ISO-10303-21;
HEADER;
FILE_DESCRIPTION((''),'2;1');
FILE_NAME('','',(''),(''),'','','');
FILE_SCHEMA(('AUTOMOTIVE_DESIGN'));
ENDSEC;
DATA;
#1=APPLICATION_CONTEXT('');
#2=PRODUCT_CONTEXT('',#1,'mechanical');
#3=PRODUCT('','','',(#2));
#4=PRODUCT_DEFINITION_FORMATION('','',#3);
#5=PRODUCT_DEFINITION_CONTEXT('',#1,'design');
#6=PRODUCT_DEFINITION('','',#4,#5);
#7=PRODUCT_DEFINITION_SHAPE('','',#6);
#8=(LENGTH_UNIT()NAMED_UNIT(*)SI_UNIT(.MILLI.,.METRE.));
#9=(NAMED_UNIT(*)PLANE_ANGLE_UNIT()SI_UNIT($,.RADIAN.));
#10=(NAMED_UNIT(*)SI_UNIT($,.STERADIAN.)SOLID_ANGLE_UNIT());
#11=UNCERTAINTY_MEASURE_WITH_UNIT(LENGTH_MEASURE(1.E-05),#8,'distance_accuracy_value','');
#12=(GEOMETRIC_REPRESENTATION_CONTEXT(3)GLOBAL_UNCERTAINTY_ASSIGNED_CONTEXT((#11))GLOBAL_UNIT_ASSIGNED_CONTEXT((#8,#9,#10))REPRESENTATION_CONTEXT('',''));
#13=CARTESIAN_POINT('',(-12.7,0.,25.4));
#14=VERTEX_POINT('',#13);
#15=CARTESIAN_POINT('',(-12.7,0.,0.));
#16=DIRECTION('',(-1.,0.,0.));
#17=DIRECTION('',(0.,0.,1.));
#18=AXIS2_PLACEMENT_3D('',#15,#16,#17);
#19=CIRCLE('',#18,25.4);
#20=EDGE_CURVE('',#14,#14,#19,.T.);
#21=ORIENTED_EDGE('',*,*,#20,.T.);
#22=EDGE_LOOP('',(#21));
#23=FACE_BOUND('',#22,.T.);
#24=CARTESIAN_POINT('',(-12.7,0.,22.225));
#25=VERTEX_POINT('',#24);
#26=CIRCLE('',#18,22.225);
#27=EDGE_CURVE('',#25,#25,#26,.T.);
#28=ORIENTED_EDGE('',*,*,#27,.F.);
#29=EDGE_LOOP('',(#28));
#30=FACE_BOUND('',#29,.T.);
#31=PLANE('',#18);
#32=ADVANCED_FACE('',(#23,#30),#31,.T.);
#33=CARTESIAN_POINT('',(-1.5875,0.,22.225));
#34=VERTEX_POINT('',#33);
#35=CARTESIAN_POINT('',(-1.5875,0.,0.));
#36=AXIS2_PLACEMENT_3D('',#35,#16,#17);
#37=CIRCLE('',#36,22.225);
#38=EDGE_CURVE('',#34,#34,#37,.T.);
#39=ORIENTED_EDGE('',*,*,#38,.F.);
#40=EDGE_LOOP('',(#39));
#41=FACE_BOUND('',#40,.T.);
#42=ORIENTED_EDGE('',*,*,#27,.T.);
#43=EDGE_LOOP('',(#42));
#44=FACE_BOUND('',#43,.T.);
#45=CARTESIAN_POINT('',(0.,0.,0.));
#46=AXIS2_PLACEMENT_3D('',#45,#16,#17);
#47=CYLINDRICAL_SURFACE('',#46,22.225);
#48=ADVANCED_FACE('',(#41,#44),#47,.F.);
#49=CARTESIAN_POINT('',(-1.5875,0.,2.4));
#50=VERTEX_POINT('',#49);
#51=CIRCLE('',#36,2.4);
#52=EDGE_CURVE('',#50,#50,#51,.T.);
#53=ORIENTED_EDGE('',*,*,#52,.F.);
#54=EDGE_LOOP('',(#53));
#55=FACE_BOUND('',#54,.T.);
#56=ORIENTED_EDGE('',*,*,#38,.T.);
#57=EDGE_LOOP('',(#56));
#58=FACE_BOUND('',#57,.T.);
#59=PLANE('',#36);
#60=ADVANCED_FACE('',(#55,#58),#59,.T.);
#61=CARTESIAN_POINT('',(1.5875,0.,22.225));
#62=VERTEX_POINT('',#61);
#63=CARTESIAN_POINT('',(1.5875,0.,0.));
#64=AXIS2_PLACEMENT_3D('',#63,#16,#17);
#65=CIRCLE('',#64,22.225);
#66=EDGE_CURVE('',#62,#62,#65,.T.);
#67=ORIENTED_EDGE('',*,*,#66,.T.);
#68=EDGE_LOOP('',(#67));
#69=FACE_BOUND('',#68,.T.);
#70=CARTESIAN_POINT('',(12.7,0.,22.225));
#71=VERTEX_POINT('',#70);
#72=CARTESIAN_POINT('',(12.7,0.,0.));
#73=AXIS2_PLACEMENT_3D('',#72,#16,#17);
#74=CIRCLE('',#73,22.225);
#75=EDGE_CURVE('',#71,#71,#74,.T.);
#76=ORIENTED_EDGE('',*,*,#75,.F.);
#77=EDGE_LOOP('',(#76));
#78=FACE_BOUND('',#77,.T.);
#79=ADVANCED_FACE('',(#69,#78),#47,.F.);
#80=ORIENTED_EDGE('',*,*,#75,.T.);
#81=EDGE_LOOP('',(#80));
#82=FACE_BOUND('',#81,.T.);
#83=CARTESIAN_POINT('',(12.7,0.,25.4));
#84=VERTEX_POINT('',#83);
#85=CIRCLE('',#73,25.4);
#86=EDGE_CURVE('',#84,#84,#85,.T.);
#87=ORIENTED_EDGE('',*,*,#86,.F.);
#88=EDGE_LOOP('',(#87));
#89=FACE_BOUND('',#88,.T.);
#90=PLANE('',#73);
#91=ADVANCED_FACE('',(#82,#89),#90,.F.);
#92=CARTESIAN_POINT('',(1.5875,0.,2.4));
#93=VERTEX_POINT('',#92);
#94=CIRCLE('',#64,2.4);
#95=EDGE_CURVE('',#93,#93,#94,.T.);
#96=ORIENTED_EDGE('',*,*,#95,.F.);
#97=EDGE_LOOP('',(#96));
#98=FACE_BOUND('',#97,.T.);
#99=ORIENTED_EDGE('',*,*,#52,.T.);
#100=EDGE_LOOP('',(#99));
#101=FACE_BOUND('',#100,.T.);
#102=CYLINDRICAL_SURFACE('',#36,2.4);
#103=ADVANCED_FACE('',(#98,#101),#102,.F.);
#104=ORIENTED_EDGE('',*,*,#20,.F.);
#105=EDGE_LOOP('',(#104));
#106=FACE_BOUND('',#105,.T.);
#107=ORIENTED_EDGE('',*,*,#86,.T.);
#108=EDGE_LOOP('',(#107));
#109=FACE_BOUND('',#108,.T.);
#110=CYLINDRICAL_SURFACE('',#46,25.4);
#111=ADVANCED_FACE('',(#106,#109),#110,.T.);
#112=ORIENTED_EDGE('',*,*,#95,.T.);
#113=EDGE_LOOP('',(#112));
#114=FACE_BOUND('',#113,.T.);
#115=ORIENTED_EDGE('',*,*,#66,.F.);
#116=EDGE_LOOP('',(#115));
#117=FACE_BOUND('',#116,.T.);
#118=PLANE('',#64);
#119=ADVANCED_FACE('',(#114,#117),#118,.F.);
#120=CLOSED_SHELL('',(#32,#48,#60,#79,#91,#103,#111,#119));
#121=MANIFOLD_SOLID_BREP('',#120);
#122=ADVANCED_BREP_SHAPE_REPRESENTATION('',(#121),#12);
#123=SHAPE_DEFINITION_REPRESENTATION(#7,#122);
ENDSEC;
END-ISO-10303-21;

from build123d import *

# Parameters (mm, degrees)
SKETCH1_W            = 1.5875
SKETCH1_H            = 22.225
M4_CLEARANCE_HOLE1_D = 4.8


with BuildPart() as part:
    # Sketch1 → Revolve1 (revolve)
    with BuildSketch(Plane.XY):
        Polygon((0, 25.4), (0, 22.225), (1.5875, 22.225), (12.7, 22.225), (12.7, 25.4), align=None)
        Polygon((-1.5875, 22.225), (0, 22.225), (0, 25.4), (-12.7, 25.4), (-12.7, 22.225), align=None)
        with Locations((-0.79375, 11.1125)):
            Rectangle(SKETCH1_W, SKETCH1_H)
        with Locations((0.79375, 11.1125)):
            Rectangle(SKETCH1_W, SKETCH1_H)
    revolve(axis=Axis((0, 0, 0), (1, 0, 0)))

    # M4 Clearance Hole1 (through all)
    with Locations(Plane.ZY.offset(1.5875)):
        with Locations((0, 0)):
            Hole(M4_CLEARANCE_HOLE1_D / 2)


solid = part.part
